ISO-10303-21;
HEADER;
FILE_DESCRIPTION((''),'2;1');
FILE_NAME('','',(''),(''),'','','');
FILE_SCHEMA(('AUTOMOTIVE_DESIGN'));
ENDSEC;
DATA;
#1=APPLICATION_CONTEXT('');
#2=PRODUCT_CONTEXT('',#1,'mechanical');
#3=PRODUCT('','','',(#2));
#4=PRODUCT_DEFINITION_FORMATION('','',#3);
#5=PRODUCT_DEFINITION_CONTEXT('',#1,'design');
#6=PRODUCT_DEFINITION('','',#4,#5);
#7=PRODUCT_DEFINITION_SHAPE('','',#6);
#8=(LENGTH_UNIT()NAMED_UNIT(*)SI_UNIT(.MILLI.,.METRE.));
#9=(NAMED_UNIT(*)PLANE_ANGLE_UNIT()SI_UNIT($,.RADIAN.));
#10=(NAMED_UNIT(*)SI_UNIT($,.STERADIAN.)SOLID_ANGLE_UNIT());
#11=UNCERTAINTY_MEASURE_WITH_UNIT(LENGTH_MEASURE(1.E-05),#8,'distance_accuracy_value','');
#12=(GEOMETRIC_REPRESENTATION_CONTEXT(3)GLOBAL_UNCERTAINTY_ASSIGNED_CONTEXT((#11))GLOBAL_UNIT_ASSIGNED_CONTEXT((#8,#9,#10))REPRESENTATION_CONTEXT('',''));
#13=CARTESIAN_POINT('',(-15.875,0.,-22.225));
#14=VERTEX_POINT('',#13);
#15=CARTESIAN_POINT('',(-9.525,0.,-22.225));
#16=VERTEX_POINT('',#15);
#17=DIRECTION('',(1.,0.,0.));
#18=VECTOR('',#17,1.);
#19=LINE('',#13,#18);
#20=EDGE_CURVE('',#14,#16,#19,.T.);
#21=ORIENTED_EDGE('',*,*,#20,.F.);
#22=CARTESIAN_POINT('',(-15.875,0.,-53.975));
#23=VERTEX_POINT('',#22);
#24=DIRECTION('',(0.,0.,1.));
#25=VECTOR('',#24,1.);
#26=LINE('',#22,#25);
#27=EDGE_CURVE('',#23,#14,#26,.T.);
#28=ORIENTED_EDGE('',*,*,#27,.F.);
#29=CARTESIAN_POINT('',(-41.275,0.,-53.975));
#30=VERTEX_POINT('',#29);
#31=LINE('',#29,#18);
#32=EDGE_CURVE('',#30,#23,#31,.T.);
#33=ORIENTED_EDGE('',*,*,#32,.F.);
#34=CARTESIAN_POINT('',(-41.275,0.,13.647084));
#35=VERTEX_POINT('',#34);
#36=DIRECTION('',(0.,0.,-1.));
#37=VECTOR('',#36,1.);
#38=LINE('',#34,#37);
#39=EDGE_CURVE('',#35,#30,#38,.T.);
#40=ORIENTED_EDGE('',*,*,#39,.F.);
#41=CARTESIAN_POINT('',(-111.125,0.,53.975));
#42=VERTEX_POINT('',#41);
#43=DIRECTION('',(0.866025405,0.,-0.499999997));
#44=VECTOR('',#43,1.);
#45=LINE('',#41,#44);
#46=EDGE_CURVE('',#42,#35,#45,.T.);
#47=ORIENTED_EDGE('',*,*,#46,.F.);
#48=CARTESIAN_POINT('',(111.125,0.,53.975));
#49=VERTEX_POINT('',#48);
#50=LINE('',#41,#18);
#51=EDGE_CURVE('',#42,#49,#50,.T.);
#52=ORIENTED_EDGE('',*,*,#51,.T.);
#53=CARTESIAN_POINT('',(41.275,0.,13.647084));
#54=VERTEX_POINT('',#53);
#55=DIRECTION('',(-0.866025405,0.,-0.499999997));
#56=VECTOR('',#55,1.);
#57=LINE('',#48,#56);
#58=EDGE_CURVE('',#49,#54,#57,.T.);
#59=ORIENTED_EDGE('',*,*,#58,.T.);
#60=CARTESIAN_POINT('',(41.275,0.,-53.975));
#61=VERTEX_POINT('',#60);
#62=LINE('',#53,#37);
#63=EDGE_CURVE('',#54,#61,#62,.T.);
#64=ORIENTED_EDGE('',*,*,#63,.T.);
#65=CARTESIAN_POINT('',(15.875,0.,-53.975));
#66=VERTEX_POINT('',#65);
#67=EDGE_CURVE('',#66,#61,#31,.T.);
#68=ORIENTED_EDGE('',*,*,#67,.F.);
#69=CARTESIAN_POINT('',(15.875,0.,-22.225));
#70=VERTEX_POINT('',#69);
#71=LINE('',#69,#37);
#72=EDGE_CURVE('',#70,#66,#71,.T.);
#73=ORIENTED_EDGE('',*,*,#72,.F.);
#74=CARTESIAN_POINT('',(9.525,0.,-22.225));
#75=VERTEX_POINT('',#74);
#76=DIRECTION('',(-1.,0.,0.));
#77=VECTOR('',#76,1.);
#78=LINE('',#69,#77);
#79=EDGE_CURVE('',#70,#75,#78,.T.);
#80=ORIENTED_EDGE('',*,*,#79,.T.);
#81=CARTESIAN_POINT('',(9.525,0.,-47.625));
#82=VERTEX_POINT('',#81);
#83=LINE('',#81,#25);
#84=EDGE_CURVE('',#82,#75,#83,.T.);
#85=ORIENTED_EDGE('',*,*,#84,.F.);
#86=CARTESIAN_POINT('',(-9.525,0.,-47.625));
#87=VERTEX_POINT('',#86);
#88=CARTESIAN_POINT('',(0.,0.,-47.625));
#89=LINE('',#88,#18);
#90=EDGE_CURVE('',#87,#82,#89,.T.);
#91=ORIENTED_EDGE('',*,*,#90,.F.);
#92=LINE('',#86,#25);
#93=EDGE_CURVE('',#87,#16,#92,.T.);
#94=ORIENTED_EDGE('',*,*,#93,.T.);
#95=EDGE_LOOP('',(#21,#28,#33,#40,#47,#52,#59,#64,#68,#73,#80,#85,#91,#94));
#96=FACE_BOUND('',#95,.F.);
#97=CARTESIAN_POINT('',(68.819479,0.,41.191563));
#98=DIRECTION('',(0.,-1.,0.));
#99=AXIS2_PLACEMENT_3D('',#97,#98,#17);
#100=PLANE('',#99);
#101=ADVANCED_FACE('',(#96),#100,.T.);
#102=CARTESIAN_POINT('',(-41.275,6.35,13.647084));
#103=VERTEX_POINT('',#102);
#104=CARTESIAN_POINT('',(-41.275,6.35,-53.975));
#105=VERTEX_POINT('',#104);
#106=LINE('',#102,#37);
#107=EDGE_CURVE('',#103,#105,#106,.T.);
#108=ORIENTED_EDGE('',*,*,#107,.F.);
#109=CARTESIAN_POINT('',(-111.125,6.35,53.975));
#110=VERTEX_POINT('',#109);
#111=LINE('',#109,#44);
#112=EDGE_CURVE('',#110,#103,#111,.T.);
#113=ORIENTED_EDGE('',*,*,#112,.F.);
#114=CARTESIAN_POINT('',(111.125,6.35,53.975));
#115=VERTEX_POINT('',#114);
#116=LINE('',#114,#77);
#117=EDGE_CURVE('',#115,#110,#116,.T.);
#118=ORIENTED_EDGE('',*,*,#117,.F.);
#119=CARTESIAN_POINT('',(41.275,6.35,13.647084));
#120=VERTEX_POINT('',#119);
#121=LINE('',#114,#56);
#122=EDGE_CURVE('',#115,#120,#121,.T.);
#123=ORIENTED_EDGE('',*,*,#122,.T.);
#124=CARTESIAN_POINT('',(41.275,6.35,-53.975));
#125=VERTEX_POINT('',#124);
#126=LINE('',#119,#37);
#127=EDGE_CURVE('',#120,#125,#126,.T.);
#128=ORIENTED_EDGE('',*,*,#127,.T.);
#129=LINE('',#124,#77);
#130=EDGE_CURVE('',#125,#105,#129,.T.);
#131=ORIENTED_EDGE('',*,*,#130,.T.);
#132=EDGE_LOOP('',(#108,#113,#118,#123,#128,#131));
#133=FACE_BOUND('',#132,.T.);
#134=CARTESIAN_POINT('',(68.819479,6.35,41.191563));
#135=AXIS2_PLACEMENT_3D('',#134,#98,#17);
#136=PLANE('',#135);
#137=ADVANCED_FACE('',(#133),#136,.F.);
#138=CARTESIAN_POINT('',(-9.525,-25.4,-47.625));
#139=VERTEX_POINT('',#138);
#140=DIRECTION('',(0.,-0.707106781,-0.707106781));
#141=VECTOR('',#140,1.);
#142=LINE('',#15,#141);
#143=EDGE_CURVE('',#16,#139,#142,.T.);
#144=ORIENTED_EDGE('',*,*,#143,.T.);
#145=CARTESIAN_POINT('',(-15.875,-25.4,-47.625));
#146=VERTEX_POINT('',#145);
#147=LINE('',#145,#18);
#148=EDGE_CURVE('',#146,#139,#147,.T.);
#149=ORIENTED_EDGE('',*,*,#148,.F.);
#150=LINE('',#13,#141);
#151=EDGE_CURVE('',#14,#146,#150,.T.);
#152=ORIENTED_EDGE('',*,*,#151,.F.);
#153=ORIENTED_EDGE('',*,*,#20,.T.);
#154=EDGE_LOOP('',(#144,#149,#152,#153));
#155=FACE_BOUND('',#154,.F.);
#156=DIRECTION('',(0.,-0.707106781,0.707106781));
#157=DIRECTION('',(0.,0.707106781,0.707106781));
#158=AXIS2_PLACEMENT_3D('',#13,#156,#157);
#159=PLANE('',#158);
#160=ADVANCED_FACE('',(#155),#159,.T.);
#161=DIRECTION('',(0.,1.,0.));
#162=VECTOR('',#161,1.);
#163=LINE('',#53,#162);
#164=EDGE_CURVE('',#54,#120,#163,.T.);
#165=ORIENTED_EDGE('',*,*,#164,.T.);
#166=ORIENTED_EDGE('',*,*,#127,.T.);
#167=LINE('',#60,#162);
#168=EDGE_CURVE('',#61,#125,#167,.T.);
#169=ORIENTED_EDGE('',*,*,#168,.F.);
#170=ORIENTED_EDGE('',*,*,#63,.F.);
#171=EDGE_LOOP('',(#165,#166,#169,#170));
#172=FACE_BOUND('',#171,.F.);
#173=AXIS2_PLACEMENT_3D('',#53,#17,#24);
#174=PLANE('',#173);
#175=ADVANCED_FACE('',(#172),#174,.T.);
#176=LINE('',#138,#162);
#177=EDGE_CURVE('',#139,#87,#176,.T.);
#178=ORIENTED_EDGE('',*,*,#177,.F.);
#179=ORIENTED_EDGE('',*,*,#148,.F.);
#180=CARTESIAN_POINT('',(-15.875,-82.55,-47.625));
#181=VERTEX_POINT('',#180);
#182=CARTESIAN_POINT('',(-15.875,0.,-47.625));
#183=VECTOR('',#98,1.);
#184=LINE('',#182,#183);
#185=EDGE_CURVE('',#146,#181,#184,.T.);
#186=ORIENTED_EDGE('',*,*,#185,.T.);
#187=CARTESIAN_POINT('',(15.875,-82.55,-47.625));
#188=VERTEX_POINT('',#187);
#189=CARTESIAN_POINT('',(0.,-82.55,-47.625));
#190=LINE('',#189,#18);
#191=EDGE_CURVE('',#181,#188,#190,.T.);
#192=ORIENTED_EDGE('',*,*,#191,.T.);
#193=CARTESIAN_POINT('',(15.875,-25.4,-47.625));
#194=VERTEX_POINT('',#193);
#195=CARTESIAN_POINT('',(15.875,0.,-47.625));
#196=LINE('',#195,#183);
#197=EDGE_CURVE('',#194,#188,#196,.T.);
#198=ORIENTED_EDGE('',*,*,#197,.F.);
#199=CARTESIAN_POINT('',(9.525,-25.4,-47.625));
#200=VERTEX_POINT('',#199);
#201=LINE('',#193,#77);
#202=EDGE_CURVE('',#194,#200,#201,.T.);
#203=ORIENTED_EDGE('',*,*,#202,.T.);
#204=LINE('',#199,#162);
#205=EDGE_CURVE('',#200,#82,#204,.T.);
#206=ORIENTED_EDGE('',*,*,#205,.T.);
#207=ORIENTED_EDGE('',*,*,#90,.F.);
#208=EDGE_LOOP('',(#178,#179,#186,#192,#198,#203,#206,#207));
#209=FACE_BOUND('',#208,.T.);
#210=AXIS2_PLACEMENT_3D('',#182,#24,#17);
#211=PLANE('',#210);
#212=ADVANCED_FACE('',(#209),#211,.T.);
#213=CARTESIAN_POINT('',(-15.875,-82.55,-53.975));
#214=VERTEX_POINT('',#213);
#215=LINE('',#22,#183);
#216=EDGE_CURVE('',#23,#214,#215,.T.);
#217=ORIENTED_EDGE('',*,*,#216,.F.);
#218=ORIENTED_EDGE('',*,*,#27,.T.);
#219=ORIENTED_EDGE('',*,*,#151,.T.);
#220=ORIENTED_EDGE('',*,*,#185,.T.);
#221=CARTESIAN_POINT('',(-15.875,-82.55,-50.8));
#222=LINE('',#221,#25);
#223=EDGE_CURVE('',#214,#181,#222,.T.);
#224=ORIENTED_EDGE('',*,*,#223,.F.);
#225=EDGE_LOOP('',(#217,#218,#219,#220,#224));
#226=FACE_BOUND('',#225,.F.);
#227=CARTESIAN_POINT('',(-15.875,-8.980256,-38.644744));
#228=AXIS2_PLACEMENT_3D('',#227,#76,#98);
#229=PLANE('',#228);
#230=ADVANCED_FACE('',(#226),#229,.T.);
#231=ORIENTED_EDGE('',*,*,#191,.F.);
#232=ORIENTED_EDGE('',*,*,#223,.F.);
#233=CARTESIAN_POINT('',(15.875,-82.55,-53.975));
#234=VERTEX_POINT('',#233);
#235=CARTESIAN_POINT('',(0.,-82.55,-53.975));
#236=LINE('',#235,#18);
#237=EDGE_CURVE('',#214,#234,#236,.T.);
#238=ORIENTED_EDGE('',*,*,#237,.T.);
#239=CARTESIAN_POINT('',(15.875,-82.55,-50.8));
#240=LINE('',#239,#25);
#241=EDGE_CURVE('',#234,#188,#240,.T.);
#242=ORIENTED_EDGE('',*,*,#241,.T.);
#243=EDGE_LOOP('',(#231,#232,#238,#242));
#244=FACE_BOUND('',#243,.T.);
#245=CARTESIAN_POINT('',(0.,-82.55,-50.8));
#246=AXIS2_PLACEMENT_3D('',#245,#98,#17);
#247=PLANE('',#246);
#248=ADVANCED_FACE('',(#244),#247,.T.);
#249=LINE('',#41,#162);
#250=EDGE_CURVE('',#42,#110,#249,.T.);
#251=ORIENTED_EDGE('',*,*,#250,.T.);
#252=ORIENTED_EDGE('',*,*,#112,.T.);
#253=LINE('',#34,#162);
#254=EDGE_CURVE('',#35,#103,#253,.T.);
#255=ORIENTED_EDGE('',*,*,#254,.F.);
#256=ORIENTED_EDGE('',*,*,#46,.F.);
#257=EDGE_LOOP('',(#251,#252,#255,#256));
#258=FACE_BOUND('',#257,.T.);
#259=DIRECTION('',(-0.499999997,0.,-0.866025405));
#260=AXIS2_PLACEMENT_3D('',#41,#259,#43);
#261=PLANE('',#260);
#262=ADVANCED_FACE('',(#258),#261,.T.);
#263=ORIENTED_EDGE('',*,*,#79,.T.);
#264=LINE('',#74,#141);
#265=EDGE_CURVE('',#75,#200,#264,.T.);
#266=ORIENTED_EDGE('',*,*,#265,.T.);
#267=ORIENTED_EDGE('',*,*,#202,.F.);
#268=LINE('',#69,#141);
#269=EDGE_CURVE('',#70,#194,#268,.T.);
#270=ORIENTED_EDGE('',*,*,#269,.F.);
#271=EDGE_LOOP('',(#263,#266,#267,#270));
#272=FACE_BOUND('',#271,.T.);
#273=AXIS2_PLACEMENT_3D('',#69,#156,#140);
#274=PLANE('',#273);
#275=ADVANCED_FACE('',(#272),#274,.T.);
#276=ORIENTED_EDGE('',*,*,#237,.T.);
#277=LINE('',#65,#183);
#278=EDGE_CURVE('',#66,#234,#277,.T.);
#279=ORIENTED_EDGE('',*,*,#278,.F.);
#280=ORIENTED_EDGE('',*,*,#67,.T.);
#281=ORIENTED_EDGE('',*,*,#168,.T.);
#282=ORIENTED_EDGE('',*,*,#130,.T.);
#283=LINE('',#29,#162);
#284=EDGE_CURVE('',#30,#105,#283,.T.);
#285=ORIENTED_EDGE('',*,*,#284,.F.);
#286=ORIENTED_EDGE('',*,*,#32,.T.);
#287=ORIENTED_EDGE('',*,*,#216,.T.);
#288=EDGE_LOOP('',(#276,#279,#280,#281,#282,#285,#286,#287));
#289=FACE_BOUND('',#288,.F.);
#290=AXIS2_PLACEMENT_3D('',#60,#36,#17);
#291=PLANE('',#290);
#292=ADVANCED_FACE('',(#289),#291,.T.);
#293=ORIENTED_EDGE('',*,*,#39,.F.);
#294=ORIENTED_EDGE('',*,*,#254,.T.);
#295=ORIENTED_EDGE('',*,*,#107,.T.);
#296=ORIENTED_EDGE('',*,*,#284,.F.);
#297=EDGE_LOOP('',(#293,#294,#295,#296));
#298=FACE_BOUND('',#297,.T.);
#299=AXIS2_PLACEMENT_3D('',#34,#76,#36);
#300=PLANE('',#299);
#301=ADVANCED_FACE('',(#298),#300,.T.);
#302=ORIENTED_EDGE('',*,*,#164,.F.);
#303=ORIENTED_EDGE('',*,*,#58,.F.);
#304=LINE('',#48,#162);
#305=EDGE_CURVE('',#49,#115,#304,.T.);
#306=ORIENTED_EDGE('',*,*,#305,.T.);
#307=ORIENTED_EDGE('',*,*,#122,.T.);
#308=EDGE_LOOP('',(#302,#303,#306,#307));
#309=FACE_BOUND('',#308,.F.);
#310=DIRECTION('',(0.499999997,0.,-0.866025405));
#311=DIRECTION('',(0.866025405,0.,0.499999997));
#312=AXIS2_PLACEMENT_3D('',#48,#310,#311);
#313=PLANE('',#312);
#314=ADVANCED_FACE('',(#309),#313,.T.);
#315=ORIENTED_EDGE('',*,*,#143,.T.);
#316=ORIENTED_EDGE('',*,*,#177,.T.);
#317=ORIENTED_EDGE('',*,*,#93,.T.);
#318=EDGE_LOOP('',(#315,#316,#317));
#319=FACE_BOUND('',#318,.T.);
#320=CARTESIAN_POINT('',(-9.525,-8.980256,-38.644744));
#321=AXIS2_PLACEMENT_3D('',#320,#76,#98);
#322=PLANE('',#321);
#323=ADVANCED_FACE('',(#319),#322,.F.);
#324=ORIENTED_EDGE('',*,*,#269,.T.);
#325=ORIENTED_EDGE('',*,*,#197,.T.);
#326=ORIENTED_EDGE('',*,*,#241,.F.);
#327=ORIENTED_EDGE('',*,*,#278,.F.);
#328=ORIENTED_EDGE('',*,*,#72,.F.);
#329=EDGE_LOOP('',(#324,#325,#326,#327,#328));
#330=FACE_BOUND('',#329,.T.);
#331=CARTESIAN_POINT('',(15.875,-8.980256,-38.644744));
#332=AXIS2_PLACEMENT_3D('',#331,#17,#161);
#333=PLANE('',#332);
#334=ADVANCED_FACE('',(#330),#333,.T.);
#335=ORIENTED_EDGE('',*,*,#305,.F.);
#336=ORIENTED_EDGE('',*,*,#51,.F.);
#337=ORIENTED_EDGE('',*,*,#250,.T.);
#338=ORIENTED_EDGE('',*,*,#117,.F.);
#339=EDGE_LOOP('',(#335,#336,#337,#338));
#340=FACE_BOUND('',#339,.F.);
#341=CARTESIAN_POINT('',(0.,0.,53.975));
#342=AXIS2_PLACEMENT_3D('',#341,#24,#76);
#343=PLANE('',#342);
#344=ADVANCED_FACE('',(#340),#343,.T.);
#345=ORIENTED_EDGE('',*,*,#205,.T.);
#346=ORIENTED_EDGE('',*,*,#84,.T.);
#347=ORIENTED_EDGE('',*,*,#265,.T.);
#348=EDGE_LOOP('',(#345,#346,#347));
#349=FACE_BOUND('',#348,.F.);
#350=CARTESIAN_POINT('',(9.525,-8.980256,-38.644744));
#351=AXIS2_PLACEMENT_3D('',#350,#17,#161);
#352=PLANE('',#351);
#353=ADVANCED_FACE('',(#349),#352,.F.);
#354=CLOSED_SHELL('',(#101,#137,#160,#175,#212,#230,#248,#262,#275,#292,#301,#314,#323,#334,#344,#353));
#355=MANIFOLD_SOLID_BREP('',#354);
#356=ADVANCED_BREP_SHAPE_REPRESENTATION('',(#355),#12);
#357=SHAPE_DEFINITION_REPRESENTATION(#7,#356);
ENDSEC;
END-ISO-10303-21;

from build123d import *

# Parameters (mm, degrees)
F1_DEPTH = 6.35
F3_W     = 31.75
F3_H     = 6.35
F4_DEPTH = 82.55
F6_DEPTH = 6.35


with BuildPart() as f1:
    # F0 (on Front) → F1 (new body)
    with BuildSketch(Plane.XZ):
        Polygon((-41.275, 13.647084), (-41.275, 53.975), (-111.125, 53.975), align=None)
        Polygon((0, 53.975), (-41.275, 53.975), (-41.275, 13.647084), (-41.275, -53.975), (0, -53.975), align=None)
    extrude(amount=-F1_DEPTH)

    # F2: F1 across plane


with BuildPart() as f1_1:
    add(f1.part)
    add(f1.part.mirror(Plane.YZ))

    # F3 (on Front) → F4 (join)
    with BuildSketch(Plane.XZ):
        with Locations((0, -50.8)):
            Rectangle(F3_W, F3_H)
    extrude(amount=F4_DEPTH)

    # F5 (on face) → F6 (join)
    with BuildSketch(Plane.YZ.offset(15.875)):
        Polygon((0, -22.225), (-25.4, -47.625), (0, -47.625), align=None)
    extrude(amount=-F6_DEPTH)

    # F7: F1 across plane


with BuildPart() as f1_2:
    add(f1_1.part)
    add(f1_1.part.mirror(Plane.YZ))


solid = f1_2.part
